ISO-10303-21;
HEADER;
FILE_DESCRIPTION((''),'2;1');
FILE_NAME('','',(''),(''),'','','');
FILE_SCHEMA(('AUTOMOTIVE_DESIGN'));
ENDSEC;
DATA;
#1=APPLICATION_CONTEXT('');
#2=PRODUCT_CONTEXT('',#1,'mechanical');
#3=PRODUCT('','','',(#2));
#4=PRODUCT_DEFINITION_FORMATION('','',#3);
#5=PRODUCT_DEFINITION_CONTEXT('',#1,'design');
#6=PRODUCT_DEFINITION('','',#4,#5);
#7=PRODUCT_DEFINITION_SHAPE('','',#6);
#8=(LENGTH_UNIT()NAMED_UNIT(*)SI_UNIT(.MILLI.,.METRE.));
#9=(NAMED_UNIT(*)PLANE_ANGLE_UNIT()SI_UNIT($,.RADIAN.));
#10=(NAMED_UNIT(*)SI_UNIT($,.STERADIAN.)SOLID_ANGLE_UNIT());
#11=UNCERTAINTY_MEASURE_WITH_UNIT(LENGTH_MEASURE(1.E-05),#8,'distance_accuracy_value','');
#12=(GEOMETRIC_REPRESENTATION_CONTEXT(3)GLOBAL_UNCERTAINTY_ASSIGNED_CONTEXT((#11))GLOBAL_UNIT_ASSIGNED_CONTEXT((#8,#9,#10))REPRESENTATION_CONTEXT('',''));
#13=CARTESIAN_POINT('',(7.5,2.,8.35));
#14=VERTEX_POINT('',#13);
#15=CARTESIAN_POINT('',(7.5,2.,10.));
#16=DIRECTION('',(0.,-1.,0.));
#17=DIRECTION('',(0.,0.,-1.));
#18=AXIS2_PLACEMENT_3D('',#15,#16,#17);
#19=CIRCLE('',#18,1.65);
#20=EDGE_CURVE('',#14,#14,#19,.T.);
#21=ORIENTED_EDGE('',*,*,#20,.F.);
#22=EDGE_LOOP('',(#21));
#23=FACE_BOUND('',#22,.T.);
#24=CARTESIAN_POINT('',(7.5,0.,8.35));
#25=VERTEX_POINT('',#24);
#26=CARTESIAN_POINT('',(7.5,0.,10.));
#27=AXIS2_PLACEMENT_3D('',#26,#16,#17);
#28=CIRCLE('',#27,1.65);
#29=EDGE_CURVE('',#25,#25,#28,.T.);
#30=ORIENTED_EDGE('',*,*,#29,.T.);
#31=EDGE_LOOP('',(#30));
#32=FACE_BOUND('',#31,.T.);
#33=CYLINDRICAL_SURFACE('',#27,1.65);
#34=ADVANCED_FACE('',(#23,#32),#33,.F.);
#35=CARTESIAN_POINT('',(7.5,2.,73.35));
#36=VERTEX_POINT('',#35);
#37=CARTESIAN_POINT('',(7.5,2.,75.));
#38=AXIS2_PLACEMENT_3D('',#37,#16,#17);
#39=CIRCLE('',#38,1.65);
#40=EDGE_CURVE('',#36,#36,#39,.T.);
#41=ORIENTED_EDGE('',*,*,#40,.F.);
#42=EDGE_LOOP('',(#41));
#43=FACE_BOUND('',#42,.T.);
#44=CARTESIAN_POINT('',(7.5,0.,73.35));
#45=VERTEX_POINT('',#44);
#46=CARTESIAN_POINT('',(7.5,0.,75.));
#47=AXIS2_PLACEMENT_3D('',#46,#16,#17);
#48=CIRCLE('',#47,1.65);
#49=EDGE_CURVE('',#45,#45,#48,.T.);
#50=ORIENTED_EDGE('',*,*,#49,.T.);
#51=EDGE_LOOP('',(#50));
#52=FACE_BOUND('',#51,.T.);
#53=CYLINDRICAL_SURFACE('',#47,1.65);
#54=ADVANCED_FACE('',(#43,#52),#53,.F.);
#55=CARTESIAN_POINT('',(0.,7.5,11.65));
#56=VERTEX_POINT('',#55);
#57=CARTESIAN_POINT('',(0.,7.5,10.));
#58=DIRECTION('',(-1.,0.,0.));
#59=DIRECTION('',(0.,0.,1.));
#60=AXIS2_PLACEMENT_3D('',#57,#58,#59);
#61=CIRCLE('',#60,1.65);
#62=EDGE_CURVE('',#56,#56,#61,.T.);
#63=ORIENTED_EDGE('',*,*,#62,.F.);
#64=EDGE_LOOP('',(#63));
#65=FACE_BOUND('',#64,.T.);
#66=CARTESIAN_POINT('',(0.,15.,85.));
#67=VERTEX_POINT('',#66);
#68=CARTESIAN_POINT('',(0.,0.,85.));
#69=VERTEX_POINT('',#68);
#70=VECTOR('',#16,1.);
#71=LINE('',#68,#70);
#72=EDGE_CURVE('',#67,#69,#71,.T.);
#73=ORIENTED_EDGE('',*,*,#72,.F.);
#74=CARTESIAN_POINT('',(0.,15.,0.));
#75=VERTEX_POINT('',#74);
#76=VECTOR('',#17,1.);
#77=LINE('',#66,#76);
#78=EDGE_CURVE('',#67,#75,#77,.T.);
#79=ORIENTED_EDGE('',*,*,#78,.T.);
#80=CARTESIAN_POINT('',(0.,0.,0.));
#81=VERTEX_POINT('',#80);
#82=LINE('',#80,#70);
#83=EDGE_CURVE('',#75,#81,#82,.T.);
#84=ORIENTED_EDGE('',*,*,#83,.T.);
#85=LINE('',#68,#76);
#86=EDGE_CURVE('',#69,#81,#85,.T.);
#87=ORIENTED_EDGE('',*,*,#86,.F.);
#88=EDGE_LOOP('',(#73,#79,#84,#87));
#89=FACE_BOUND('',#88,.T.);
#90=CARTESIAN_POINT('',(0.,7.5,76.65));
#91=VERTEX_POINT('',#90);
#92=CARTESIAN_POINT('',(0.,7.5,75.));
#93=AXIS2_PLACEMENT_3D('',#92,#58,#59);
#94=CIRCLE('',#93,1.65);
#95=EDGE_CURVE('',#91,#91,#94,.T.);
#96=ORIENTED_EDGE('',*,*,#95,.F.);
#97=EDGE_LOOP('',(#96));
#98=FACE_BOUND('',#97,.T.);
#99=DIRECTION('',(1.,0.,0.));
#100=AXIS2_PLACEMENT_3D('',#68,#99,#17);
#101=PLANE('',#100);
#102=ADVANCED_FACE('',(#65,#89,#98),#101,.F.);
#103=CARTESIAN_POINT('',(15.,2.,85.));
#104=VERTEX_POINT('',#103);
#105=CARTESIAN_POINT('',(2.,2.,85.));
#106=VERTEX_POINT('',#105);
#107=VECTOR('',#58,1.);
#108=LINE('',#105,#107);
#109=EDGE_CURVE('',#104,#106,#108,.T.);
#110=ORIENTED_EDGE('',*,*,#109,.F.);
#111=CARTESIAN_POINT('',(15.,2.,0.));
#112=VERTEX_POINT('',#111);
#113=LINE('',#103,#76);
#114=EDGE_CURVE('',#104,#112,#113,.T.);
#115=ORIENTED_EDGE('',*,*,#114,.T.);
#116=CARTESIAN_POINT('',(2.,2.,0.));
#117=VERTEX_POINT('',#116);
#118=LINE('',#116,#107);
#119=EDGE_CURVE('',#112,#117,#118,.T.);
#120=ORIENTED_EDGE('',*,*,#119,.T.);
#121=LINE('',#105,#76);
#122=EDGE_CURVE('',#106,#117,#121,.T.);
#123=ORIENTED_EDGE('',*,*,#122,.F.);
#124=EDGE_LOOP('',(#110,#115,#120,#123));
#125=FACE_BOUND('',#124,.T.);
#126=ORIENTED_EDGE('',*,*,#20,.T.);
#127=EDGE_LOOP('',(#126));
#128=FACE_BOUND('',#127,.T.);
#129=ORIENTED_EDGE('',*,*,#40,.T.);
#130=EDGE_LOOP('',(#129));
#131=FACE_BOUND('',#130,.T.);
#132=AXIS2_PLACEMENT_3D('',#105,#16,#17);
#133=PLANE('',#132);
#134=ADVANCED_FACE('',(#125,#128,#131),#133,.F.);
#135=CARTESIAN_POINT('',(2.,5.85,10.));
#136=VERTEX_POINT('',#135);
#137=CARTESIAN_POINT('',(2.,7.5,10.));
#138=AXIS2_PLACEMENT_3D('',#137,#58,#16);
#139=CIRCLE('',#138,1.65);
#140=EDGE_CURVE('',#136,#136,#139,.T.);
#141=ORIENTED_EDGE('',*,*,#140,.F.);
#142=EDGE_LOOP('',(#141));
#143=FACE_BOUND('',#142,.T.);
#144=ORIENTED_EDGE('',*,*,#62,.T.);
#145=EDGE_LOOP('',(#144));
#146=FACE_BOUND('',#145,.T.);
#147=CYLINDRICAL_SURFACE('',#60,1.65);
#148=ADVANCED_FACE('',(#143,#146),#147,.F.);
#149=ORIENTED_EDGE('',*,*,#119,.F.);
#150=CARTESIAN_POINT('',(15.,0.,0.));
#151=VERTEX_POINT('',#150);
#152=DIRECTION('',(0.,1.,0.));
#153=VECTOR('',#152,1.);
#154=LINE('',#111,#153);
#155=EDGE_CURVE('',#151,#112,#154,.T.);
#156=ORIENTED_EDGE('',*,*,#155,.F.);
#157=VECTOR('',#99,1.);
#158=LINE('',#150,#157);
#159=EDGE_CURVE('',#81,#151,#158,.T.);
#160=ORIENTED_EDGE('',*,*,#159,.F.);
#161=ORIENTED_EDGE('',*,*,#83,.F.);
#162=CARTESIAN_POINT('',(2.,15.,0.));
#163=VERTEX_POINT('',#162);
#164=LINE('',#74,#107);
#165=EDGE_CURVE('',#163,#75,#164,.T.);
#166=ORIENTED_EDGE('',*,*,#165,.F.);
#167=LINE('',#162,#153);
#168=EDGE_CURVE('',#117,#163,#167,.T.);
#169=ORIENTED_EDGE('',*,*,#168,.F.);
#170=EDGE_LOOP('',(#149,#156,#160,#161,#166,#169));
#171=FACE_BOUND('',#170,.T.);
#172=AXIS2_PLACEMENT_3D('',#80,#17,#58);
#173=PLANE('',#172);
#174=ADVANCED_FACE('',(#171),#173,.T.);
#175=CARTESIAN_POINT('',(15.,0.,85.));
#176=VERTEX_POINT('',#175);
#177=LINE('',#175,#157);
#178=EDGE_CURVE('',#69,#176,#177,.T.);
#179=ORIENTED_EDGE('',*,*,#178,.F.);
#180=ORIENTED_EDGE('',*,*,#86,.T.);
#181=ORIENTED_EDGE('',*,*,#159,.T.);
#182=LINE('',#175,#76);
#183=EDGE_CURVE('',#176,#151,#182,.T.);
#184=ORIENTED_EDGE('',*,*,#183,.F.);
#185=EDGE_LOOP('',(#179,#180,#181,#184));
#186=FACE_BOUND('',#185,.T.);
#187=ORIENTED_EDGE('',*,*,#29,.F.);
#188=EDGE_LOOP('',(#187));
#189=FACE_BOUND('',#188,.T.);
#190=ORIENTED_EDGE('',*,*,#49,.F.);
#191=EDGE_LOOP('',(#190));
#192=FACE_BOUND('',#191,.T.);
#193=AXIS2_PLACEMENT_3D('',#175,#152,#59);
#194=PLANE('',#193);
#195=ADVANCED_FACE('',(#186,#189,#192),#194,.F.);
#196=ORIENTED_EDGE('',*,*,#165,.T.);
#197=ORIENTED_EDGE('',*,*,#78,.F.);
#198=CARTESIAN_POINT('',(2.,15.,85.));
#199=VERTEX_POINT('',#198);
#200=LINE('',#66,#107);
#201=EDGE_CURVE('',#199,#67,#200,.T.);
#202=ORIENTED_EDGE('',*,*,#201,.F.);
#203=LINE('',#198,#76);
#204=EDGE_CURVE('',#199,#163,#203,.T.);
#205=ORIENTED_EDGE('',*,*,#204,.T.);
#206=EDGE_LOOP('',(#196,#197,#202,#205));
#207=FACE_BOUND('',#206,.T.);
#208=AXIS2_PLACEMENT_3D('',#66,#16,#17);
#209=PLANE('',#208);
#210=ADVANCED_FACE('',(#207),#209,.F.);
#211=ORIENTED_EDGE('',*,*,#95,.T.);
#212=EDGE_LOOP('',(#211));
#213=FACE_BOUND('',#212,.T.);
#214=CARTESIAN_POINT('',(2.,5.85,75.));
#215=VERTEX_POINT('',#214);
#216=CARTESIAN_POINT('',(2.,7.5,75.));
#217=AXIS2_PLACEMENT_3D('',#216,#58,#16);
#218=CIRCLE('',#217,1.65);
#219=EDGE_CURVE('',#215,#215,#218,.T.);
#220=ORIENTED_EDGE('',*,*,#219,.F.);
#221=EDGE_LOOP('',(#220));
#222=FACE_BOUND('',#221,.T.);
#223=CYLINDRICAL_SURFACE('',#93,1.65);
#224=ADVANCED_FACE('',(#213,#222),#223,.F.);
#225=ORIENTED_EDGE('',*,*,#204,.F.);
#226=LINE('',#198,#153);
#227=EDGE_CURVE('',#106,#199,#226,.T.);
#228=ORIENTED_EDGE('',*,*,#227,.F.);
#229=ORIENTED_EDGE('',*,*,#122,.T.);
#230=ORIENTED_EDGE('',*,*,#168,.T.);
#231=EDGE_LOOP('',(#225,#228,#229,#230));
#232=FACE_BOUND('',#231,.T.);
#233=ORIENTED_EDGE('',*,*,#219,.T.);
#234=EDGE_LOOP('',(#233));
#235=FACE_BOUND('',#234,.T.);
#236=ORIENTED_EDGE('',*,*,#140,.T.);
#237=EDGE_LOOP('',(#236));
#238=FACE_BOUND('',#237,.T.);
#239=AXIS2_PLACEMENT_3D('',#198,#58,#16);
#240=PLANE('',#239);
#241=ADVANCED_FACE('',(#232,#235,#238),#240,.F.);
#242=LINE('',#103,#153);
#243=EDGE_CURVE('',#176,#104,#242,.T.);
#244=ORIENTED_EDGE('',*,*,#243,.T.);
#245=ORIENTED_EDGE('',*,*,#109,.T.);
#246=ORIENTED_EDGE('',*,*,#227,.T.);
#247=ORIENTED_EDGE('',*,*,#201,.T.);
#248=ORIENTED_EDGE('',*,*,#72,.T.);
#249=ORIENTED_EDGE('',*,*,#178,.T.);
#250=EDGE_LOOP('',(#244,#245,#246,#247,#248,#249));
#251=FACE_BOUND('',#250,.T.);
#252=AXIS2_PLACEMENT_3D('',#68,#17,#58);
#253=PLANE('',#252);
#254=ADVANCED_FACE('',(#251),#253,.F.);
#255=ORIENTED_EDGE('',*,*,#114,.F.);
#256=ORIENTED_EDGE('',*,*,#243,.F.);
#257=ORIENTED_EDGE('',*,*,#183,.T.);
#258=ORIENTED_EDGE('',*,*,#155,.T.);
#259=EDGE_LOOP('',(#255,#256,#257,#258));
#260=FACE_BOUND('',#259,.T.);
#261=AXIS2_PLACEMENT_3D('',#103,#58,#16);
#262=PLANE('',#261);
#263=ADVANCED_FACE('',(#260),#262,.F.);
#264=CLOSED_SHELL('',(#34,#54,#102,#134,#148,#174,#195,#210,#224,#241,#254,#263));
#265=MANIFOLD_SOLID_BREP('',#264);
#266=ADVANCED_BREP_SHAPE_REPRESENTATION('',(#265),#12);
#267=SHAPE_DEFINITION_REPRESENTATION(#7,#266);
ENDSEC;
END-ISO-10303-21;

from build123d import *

# Parameters (mm, degrees)
EXTRUDE_1_DEPTH          = 85
M4X0_7_1_D               = 3.3
M4X0_7_1_DEPTH           = 11.5
M4X0_7_1_TIP             = 0.991420021
M4X0_7_1_ON_FACE_2_D     = 3.3
M4X0_7_1_ON_FACE_2_DEPTH = 11.5
M4X0_7_1_ON_FACE_2_TIP   = 0.991420021


with BuildPart() as part:
    # ｽｹｯﾁ1 → ﾎﾞｽ - 押し出し1 (new body)
    with BuildSketch(Plane.XY):
        Polygon((0, 0), (0, 15), (2, 15), (2, 2), (15, 2), (15, 0), align=None)
    extrude(amount=EXTRUDE_1_DEPTH)

    # M4x0.7 ねじ穴1
    with Locations(Plane(origin=(0, 7.5, 75), x_dir=(0, 0, -1), z_dir=(-1, 0, 0))):
        with Locations((0, 0), (65, 0)):
            Hole(M4X0_7_1_D / 2, depth=M4X0_7_1_DEPTH)
            with Locations((0, 0, -(M4X0_7_1_DEPTH + M4X0_7_1_TIP / 2))):  # 118° drill point
                Cone(0, M4X0_7_1_D / 2, M4X0_7_1_TIP, mode=Mode.SUBTRACT)

    # M4x0.7 ねじ穴1 on face 2
    with Locations(Plane(origin=(7.5, 0, 75), x_dir=(0, 0, -1), z_dir=(0, -1, 0))):
        with Locations((0, 0), (65, 0)):
            Hole(M4X0_7_1_ON_FACE_2_D / 2, depth=M4X0_7_1_ON_FACE_2_DEPTH)
            with Locations((0, 0, -(M4X0_7_1_ON_FACE_2_DEPTH + M4X0_7_1_ON_FACE_2_TIP / 2))):  # 118° drill point
                Cone(0, M4X0_7_1_ON_FACE_2_D / 2, M4X0_7_1_ON_FACE_2_TIP, mode=Mode.SUBTRACT)


solid = part.part
